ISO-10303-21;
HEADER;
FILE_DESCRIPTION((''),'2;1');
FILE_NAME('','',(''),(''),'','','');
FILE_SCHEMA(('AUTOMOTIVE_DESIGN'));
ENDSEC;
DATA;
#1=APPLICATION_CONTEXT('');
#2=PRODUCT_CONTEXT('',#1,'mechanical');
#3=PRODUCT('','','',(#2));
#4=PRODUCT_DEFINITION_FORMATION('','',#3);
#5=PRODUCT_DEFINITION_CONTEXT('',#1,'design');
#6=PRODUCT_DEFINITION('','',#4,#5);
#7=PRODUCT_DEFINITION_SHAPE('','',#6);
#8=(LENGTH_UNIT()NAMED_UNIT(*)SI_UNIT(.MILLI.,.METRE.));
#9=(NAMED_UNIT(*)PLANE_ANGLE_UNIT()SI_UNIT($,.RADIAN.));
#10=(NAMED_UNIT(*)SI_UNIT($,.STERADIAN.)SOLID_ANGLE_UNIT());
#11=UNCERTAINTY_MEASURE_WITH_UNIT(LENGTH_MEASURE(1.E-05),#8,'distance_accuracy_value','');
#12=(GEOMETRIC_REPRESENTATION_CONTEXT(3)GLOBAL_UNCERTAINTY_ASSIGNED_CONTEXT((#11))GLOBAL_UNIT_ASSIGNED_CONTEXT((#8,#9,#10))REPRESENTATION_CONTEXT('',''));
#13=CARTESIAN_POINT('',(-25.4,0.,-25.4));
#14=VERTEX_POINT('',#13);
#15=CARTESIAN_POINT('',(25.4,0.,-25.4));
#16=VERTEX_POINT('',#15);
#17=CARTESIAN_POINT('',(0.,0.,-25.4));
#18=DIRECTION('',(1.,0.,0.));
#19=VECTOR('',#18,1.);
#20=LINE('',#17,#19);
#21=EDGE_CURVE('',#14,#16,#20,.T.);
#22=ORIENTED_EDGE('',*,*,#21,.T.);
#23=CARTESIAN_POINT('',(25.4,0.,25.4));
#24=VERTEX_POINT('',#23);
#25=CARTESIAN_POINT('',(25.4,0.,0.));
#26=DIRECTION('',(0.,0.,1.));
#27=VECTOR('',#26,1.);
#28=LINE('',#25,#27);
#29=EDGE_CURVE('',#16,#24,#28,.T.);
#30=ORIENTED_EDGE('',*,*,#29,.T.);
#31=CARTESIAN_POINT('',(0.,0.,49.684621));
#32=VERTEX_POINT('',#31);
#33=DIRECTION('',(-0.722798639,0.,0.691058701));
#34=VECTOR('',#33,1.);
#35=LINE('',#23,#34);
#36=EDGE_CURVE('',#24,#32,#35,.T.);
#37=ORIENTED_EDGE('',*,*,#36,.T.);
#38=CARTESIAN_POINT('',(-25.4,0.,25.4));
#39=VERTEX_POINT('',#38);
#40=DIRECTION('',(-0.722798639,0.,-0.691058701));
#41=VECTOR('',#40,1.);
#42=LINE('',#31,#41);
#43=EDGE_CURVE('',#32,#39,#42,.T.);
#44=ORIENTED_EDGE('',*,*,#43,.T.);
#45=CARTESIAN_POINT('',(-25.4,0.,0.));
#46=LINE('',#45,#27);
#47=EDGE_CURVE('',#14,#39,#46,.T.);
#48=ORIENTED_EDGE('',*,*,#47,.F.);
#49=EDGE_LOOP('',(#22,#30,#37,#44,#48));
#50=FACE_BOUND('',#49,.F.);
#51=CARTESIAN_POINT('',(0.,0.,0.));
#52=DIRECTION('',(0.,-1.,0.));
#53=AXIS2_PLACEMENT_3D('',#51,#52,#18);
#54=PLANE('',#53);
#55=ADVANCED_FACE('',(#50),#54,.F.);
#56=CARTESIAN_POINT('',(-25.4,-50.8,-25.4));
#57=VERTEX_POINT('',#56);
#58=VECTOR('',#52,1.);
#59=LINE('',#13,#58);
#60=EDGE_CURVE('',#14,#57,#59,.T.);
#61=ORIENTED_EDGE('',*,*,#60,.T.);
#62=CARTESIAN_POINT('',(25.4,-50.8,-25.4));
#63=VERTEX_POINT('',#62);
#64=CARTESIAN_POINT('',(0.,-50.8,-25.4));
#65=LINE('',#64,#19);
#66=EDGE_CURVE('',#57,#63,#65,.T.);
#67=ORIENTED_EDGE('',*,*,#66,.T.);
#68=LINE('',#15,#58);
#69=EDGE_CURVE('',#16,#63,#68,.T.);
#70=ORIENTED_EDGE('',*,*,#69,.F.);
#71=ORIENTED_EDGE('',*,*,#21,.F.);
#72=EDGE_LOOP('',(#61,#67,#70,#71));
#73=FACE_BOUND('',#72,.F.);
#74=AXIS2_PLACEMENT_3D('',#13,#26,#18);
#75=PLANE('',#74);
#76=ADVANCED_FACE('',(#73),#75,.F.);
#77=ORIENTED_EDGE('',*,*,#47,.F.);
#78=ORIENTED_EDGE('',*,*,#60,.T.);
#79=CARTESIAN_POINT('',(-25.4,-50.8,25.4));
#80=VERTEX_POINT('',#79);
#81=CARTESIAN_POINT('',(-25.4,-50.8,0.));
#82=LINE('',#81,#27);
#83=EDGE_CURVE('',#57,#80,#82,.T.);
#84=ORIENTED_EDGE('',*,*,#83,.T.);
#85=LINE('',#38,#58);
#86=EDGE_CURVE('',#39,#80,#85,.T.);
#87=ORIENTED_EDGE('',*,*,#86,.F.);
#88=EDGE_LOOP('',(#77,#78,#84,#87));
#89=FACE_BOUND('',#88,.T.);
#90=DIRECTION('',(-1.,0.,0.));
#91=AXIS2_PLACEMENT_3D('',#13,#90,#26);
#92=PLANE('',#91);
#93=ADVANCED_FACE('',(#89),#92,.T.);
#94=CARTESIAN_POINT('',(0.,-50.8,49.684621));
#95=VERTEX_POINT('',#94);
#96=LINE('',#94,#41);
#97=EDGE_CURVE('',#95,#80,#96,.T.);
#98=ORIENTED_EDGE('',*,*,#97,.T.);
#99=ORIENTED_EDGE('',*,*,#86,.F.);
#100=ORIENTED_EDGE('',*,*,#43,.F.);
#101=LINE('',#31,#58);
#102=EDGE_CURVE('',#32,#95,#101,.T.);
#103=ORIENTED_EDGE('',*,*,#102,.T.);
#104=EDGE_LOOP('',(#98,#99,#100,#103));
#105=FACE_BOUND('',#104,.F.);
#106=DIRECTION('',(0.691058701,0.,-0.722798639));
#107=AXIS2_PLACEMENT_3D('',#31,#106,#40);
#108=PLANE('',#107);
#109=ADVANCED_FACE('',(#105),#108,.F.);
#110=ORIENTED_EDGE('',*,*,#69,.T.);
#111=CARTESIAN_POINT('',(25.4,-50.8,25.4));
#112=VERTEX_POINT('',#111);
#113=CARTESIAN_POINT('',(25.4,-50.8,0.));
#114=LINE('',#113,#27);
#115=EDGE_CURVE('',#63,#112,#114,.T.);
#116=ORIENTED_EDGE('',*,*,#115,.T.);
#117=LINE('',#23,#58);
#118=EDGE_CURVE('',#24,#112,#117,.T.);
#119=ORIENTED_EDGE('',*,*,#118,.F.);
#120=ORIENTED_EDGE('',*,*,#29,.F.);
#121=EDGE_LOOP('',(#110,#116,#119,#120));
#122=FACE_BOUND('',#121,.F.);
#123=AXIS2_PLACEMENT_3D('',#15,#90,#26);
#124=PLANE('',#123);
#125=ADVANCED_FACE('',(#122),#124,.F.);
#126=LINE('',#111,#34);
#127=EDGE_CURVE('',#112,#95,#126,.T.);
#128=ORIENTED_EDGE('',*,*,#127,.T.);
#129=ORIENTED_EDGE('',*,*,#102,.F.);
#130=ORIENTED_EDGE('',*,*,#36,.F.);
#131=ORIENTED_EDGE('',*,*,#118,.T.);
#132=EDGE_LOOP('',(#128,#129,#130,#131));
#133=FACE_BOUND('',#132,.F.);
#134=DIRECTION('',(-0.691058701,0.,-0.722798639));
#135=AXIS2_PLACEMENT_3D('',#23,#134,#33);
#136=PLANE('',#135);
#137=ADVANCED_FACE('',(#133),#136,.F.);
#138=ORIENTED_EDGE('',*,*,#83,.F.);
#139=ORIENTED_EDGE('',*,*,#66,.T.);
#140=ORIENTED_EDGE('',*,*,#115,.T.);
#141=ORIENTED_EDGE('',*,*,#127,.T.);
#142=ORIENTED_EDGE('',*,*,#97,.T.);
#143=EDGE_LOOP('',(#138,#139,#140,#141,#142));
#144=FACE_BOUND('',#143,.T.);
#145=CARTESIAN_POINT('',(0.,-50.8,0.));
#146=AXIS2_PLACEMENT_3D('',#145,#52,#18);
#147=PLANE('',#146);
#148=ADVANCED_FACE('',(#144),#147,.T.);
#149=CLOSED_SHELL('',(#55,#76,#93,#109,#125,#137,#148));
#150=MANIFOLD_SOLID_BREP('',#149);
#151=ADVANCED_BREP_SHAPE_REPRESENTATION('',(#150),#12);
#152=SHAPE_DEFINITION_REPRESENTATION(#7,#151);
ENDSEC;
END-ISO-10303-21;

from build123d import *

# Parameters (mm, degrees)
F0_W     = 50.8
F0_H     = 50.8
F1_DEPTH = 50.8


with BuildPart() as f1:
    # F0 (on Front) → F1 (new body)
    with BuildSketch(Plane.XZ):
        Rectangle(F0_W, F0_H)
        Polygon((-25.4, 25.4), (25.4, 25.4), (0, 49.684621), align=None)
    extrude(amount=F1_DEPTH)


solid = f1.part
